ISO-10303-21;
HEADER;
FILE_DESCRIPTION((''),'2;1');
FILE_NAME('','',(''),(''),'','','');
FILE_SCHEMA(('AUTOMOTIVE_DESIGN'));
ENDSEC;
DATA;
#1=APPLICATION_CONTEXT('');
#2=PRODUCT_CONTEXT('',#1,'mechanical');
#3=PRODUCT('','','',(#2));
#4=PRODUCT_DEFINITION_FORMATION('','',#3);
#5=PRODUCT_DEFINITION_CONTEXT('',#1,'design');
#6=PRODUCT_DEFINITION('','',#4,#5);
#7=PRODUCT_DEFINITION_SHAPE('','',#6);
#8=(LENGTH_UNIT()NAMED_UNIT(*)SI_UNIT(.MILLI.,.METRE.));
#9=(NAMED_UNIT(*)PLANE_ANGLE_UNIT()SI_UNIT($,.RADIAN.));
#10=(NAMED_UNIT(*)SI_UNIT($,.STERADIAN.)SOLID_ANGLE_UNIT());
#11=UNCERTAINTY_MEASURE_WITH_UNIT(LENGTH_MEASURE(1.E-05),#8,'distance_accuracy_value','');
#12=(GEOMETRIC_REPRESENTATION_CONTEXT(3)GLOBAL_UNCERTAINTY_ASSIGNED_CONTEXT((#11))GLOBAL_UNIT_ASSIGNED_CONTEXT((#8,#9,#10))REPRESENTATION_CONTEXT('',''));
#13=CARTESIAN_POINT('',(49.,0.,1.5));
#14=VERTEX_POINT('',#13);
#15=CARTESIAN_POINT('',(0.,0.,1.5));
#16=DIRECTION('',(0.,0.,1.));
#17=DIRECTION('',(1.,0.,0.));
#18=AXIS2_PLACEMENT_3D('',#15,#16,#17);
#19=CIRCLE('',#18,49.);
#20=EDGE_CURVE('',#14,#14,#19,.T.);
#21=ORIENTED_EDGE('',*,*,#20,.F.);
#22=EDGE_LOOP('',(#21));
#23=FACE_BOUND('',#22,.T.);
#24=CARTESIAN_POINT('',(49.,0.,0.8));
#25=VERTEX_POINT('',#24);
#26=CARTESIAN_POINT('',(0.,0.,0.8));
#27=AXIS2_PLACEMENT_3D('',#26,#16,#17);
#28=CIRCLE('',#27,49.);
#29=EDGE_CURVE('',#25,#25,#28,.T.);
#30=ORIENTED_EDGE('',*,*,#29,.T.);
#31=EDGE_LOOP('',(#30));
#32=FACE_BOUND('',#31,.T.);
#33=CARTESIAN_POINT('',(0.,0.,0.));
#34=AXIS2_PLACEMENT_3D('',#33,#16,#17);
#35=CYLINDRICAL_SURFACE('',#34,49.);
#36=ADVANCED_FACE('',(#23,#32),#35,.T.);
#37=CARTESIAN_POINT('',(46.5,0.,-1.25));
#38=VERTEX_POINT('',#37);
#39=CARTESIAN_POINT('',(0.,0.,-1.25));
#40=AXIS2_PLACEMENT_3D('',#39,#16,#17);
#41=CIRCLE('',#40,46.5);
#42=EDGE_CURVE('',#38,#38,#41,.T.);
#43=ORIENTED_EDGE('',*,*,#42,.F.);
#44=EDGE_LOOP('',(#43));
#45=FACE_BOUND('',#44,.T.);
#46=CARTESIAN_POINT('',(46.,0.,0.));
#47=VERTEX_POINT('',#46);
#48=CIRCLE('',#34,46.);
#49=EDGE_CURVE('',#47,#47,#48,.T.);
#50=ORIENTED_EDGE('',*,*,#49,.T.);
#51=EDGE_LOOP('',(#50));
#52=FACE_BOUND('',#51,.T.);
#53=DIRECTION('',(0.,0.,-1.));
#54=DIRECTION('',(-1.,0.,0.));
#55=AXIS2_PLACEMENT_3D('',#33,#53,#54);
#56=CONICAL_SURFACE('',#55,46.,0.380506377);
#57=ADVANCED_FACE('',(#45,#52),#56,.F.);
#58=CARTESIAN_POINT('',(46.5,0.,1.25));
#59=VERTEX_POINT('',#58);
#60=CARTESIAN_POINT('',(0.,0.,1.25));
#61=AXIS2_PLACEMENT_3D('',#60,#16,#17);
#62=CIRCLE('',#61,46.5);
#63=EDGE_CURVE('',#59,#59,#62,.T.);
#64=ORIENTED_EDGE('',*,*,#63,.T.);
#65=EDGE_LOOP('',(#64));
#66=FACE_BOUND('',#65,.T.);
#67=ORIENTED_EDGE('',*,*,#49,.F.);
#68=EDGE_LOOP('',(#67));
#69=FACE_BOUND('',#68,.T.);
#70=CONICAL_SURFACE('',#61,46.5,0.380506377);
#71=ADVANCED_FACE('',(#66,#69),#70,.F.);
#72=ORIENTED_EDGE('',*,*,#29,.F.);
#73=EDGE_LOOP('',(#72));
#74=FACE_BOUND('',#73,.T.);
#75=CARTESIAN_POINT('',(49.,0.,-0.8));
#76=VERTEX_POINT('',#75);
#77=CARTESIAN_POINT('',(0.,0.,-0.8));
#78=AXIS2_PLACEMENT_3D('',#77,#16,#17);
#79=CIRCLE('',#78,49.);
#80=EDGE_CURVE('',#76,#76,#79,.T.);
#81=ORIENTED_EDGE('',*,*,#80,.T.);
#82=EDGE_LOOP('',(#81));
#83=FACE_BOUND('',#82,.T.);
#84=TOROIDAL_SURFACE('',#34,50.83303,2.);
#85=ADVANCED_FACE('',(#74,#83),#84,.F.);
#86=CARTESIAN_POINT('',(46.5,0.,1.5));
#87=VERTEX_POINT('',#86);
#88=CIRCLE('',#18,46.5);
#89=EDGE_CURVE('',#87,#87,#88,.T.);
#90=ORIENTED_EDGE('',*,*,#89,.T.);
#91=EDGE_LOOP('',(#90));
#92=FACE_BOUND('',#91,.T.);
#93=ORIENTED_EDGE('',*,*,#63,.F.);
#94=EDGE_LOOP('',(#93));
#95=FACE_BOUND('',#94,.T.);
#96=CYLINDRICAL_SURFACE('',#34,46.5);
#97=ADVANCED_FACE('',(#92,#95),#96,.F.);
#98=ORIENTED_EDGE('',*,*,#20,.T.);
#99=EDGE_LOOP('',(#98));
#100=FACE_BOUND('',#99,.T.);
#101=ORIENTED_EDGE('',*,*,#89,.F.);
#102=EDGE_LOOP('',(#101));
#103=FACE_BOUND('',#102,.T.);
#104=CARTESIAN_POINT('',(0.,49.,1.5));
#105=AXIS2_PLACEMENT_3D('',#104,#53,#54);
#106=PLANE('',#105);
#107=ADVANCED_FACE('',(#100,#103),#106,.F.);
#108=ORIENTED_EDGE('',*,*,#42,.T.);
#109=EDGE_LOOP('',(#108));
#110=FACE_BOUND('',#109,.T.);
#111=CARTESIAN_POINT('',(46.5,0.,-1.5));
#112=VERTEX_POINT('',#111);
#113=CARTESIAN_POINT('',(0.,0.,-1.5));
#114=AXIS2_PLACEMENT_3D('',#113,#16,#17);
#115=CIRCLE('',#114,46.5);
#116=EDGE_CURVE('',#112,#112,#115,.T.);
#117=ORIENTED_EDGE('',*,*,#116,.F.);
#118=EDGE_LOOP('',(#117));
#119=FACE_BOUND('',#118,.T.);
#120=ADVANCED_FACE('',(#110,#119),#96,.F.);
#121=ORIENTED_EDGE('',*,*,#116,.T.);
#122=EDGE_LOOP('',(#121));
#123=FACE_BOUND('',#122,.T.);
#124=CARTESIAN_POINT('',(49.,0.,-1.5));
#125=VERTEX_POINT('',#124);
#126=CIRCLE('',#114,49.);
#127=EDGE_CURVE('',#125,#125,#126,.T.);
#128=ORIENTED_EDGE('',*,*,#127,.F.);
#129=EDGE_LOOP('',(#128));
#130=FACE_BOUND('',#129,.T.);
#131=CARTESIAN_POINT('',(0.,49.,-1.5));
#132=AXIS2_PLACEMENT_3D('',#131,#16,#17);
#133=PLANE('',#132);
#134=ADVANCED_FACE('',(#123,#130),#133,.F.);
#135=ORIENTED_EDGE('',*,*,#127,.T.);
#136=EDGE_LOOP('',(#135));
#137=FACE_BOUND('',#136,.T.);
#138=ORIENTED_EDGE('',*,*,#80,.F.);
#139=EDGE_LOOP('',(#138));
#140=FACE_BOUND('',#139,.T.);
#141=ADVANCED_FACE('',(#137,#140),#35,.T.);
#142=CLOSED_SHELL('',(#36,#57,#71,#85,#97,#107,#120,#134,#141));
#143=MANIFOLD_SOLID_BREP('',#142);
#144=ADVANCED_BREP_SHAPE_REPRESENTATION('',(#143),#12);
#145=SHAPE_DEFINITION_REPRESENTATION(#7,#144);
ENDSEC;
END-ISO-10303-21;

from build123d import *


with BuildPart() as part:
    # Sketch1 → Revolve1 (revolve)
    with BuildSketch(Plane(origin=(0, 0, 0), x_dir=(0, 0, -1), z_dir=(1, 0, 0)), mode=Mode.PRIVATE) as revolve1_sk:
        with BuildLine():
            Line((0.8, 49), (1.5, 49))
            Line((1.5, 49), (1.5, 46.5))
            Line((1.5, 46.5), (1.25, 46.5))
            Line((1.25, 46.5), (0, 46))
            Line((0, 46), (-1.25, 46.5))
            Line((-1.25, 46.5), (-1.5, 46.5))
            Line((-1.5, 46.5), (-1.5, 49))
            Line((-1.5, 49), (-0.8, 49))
            ThreePointArc((-0.8, 49), (0, 48.833030278), (0.8, 49))
        make_face()
    revolve(revolve1_sk.sketch.rotate(Axis((0, 0, 0), (0, 0, -1)), 90), axis=Axis((0, 0, 0), (0, 0, -1)))


solid = part.part
